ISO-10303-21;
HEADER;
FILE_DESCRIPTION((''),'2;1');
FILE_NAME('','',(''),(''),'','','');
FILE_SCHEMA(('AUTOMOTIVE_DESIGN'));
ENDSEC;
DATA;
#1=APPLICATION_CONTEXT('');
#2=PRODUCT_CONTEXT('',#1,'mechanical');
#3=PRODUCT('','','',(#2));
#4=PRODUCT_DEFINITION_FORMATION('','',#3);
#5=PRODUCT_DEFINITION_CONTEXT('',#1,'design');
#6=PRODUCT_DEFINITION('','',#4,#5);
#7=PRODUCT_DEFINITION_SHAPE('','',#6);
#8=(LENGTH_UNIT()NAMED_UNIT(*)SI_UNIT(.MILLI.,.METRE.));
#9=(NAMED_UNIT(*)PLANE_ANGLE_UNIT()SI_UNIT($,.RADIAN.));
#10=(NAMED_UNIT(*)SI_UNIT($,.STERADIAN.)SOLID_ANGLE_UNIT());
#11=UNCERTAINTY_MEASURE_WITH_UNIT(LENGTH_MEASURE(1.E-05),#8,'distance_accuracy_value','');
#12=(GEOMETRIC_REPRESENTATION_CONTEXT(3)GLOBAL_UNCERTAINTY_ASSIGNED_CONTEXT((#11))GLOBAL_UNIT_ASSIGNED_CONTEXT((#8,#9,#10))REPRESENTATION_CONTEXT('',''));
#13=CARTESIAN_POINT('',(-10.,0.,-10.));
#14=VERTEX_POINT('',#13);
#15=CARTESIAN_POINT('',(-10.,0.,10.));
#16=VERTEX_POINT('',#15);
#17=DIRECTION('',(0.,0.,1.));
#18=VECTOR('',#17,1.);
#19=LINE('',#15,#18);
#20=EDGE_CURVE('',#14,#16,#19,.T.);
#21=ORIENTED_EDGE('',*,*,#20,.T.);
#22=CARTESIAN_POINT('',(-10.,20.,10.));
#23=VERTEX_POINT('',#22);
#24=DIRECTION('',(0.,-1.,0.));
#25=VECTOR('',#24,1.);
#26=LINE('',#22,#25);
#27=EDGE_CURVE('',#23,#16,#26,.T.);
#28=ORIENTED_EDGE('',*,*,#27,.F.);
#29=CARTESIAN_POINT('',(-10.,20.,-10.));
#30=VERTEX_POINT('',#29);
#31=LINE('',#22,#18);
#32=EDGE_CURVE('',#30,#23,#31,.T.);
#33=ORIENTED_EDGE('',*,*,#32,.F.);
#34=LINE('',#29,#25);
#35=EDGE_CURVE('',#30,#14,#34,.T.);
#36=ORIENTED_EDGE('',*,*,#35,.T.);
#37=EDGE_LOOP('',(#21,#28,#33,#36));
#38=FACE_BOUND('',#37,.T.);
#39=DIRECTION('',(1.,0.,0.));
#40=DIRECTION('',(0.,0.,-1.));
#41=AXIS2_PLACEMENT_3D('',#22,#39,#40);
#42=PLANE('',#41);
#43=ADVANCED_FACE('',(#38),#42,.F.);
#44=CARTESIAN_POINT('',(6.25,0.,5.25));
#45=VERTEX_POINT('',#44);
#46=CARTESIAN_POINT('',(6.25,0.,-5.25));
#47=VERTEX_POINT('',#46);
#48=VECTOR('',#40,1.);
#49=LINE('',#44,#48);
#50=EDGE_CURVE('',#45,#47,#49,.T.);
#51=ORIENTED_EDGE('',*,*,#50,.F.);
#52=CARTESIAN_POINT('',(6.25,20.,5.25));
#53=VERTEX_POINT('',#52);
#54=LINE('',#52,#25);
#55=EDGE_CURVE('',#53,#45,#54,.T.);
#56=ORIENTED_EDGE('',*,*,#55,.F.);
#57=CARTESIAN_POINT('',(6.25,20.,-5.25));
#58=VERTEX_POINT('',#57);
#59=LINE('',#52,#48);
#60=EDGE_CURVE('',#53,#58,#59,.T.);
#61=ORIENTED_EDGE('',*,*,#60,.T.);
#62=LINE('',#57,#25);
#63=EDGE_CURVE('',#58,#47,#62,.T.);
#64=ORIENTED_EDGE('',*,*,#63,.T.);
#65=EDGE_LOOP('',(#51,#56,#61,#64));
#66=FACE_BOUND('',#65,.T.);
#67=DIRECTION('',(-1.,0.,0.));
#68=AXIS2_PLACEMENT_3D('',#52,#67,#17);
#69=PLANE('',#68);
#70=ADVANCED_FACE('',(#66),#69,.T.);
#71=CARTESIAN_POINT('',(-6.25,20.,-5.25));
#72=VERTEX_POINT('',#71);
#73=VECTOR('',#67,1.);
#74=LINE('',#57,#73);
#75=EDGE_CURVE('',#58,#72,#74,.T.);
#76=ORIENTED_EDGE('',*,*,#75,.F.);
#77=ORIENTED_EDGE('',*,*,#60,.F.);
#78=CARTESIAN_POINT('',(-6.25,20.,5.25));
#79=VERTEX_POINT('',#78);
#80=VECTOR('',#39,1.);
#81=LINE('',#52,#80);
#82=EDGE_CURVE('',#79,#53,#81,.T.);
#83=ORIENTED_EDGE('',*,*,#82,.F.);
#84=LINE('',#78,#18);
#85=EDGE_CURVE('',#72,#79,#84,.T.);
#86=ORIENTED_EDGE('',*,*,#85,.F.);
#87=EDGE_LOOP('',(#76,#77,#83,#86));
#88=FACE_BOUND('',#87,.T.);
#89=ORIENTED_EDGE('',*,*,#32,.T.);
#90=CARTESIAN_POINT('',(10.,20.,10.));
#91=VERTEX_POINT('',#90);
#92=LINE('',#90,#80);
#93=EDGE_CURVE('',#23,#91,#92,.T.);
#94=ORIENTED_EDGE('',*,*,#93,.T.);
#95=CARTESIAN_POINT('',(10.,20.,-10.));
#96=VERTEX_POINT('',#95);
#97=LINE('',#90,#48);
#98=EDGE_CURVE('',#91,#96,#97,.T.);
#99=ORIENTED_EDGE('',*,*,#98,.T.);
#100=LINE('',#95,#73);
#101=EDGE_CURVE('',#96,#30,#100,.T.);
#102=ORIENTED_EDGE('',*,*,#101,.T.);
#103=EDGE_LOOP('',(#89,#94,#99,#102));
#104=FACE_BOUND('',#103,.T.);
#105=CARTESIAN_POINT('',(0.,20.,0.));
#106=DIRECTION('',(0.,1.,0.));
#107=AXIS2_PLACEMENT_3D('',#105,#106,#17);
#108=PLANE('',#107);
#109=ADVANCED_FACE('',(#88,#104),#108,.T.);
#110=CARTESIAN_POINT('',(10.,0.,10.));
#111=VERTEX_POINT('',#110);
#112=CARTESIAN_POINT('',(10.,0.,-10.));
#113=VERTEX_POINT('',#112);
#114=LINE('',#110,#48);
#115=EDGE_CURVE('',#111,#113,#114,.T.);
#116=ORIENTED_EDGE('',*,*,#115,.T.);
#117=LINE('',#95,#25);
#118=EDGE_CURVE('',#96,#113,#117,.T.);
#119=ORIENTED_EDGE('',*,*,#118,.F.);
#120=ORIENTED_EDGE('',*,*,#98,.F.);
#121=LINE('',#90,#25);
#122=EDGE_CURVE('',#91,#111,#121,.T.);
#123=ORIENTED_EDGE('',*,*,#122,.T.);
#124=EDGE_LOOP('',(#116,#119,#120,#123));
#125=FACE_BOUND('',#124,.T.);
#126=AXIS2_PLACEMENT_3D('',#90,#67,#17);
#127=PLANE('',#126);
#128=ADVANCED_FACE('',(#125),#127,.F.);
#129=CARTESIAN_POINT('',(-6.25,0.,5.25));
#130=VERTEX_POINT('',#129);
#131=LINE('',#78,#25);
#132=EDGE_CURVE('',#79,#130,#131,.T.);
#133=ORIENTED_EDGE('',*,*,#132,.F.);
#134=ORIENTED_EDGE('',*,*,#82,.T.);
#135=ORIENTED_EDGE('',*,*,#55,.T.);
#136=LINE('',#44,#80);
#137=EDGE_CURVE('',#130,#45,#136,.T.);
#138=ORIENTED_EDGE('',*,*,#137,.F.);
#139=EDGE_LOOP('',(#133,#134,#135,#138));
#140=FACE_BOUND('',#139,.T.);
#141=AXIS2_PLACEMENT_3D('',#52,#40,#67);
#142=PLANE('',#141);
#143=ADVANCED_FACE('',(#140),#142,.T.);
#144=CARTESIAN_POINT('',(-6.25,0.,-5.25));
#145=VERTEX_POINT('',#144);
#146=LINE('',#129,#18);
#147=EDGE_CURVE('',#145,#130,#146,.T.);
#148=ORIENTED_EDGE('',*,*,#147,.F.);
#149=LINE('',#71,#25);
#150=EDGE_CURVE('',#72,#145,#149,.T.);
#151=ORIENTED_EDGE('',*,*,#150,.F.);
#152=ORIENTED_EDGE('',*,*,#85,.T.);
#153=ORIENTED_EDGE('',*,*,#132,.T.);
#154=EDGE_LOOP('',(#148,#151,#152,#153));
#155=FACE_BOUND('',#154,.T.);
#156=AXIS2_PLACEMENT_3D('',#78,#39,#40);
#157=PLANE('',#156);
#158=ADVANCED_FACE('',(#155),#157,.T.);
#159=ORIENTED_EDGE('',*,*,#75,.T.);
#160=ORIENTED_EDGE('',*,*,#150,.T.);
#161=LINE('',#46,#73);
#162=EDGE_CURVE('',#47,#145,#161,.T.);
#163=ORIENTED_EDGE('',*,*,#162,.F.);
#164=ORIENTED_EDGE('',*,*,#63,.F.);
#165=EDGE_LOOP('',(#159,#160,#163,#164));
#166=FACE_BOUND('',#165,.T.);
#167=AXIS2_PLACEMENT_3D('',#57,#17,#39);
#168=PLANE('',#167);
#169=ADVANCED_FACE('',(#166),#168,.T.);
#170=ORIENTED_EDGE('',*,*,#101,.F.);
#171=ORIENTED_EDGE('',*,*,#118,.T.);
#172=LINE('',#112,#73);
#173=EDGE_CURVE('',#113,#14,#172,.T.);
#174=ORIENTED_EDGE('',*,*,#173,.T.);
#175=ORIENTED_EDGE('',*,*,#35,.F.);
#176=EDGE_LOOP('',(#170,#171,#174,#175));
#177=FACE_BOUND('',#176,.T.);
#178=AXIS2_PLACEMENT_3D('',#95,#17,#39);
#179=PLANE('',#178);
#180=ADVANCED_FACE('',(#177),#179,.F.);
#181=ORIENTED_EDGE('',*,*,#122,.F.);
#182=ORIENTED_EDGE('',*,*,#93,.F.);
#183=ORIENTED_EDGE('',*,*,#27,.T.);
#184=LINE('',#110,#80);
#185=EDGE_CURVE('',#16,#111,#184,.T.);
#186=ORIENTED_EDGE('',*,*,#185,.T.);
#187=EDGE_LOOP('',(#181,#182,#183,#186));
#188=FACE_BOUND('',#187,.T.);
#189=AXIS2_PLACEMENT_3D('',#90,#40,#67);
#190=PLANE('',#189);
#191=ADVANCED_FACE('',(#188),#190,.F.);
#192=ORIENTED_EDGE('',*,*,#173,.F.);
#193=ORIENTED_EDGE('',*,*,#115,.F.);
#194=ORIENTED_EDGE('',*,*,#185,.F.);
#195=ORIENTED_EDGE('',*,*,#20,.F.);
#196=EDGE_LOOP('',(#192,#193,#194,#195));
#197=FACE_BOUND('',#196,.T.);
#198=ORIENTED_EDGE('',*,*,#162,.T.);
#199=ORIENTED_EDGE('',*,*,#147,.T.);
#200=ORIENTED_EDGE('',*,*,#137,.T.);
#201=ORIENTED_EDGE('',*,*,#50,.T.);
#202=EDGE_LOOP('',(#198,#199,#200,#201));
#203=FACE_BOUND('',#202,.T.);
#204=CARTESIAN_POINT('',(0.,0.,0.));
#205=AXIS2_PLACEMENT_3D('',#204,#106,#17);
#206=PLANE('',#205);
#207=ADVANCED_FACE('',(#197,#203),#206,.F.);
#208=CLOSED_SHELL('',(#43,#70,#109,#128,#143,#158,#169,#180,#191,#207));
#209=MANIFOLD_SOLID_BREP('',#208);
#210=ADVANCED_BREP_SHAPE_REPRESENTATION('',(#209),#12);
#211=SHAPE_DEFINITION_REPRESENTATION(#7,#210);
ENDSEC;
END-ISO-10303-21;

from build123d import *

# Parameters (mm, degrees)
SKETCH1_W           = 20
SKETCH1_H           = 20
SKETCH1_W_2         = 12.5
SKETCH1_H_2         = 10.5
BOSS_EXTRUDE1_DEPTH = 20


with BuildPart() as part:
    # Sketch1 → Boss-Extrude1 (new body)
    with BuildSketch(Plane(origin=(0, 0, 0), x_dir=(1, 0, 0), z_dir=(0, 1, 0))):
        Rectangle(SKETCH1_W, SKETCH1_H)
        Rectangle(SKETCH1_W_2, SKETCH1_H_2, mode=Mode.SUBTRACT)
    extrude(amount=BOSS_EXTRUDE1_DEPTH)


solid = part.part
